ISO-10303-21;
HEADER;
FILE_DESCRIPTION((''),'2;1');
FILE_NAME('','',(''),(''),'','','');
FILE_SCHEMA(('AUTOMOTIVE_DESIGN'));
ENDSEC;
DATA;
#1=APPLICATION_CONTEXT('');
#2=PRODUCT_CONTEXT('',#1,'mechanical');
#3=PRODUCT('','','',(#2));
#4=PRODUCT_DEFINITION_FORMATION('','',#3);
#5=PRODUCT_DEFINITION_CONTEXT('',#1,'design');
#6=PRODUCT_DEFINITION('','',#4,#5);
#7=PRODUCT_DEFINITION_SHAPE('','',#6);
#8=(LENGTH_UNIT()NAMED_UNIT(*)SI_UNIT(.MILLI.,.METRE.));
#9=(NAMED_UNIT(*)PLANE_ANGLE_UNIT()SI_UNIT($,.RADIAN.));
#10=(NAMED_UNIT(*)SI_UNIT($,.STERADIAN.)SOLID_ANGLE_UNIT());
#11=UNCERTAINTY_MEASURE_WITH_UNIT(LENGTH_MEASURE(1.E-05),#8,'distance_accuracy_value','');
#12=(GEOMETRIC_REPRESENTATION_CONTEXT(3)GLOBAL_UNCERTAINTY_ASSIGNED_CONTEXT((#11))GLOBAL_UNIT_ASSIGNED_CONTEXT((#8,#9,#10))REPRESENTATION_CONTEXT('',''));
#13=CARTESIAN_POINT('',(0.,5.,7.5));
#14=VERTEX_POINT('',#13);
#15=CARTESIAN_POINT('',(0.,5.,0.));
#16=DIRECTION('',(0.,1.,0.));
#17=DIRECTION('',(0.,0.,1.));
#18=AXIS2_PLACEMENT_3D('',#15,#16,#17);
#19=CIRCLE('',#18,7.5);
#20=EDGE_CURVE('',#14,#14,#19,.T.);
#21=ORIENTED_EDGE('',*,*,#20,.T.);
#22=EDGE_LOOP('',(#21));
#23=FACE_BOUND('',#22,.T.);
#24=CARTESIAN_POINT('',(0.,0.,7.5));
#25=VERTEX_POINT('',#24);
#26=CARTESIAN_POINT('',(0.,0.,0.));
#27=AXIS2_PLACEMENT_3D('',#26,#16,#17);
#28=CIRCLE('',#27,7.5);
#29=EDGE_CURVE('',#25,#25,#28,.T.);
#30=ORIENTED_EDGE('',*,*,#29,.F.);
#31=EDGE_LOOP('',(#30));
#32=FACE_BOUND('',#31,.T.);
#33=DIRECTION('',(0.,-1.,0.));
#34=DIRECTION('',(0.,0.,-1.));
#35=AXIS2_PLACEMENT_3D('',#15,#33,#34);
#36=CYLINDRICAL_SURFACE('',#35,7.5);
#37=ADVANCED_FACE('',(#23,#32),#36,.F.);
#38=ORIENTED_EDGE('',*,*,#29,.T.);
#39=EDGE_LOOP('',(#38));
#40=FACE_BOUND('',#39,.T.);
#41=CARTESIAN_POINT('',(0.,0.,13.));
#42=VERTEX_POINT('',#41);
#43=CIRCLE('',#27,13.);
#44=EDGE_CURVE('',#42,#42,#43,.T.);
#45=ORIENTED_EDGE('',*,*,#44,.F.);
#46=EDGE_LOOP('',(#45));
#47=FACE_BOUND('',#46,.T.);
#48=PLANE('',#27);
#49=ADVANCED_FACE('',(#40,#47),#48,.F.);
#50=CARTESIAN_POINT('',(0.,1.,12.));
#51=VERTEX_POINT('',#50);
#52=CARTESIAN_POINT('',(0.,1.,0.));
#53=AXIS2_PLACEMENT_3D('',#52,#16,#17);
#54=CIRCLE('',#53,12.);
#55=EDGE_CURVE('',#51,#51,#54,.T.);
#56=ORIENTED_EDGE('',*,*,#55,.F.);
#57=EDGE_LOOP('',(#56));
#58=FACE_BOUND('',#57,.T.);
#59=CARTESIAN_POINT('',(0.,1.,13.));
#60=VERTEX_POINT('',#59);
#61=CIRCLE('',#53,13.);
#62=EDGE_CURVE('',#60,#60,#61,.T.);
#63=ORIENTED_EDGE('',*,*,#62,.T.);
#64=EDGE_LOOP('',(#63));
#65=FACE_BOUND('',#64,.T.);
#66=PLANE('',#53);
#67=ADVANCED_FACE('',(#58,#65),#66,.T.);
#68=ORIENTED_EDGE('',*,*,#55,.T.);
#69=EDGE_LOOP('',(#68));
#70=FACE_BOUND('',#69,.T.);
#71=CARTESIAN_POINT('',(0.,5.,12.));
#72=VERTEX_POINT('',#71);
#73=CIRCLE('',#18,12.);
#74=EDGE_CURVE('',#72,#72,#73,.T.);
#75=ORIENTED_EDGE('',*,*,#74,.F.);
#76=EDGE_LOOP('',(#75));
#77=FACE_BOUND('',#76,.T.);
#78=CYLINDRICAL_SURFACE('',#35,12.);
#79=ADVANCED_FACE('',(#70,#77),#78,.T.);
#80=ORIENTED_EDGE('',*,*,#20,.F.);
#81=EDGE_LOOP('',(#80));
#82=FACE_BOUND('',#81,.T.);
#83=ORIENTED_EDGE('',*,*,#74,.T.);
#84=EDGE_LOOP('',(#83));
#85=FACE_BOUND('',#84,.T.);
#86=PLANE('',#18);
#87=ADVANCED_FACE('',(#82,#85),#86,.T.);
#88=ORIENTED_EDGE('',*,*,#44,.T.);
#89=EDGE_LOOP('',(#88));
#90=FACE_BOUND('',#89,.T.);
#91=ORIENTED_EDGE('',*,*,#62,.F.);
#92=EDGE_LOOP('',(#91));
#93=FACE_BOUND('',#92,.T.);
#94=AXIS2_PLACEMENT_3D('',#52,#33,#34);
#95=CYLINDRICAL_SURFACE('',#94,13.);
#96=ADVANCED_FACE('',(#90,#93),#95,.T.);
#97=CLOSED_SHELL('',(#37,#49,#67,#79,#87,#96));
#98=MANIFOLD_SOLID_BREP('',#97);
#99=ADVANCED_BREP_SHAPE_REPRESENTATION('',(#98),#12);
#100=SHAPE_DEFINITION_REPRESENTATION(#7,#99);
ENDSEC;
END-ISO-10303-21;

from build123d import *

# Parameters (mm, degrees)
SKETCH_1_R      = 12
SKETCH_1_R_2    = 7.5
EXTRUDE_1_DEPTH = 5
SKETCH_1_3_R    = 13
SKETCH_1_3_R_2  = 12
EXTRUDE_2_DEPTH = 1


with BuildPart() as part:
    # 草图1 → 凸台-拉伸1 (new body)
    with BuildSketch(Plane(origin=(0, 0, 0), x_dir=(1, 0, 0), z_dir=(0, 1, 0))):
        Circle(SKETCH_1_R)
        Circle(SKETCH_1_R_2, mode=Mode.SUBTRACT)
    extrude(amount=EXTRUDE_1_DEPTH)

    # 草图1<3> → 凸台-拉伸2 (add)
    with BuildSketch(Plane(origin=(0, 0, 0), x_dir=(1, 0, 0), z_dir=(0, 1, 0))):
        Circle(SKETCH_1_3_R)
        Circle(SKETCH_1_3_R_2, mode=Mode.SUBTRACT)
    extrude(amount=EXTRUDE_2_DEPTH)


solid = part.part
